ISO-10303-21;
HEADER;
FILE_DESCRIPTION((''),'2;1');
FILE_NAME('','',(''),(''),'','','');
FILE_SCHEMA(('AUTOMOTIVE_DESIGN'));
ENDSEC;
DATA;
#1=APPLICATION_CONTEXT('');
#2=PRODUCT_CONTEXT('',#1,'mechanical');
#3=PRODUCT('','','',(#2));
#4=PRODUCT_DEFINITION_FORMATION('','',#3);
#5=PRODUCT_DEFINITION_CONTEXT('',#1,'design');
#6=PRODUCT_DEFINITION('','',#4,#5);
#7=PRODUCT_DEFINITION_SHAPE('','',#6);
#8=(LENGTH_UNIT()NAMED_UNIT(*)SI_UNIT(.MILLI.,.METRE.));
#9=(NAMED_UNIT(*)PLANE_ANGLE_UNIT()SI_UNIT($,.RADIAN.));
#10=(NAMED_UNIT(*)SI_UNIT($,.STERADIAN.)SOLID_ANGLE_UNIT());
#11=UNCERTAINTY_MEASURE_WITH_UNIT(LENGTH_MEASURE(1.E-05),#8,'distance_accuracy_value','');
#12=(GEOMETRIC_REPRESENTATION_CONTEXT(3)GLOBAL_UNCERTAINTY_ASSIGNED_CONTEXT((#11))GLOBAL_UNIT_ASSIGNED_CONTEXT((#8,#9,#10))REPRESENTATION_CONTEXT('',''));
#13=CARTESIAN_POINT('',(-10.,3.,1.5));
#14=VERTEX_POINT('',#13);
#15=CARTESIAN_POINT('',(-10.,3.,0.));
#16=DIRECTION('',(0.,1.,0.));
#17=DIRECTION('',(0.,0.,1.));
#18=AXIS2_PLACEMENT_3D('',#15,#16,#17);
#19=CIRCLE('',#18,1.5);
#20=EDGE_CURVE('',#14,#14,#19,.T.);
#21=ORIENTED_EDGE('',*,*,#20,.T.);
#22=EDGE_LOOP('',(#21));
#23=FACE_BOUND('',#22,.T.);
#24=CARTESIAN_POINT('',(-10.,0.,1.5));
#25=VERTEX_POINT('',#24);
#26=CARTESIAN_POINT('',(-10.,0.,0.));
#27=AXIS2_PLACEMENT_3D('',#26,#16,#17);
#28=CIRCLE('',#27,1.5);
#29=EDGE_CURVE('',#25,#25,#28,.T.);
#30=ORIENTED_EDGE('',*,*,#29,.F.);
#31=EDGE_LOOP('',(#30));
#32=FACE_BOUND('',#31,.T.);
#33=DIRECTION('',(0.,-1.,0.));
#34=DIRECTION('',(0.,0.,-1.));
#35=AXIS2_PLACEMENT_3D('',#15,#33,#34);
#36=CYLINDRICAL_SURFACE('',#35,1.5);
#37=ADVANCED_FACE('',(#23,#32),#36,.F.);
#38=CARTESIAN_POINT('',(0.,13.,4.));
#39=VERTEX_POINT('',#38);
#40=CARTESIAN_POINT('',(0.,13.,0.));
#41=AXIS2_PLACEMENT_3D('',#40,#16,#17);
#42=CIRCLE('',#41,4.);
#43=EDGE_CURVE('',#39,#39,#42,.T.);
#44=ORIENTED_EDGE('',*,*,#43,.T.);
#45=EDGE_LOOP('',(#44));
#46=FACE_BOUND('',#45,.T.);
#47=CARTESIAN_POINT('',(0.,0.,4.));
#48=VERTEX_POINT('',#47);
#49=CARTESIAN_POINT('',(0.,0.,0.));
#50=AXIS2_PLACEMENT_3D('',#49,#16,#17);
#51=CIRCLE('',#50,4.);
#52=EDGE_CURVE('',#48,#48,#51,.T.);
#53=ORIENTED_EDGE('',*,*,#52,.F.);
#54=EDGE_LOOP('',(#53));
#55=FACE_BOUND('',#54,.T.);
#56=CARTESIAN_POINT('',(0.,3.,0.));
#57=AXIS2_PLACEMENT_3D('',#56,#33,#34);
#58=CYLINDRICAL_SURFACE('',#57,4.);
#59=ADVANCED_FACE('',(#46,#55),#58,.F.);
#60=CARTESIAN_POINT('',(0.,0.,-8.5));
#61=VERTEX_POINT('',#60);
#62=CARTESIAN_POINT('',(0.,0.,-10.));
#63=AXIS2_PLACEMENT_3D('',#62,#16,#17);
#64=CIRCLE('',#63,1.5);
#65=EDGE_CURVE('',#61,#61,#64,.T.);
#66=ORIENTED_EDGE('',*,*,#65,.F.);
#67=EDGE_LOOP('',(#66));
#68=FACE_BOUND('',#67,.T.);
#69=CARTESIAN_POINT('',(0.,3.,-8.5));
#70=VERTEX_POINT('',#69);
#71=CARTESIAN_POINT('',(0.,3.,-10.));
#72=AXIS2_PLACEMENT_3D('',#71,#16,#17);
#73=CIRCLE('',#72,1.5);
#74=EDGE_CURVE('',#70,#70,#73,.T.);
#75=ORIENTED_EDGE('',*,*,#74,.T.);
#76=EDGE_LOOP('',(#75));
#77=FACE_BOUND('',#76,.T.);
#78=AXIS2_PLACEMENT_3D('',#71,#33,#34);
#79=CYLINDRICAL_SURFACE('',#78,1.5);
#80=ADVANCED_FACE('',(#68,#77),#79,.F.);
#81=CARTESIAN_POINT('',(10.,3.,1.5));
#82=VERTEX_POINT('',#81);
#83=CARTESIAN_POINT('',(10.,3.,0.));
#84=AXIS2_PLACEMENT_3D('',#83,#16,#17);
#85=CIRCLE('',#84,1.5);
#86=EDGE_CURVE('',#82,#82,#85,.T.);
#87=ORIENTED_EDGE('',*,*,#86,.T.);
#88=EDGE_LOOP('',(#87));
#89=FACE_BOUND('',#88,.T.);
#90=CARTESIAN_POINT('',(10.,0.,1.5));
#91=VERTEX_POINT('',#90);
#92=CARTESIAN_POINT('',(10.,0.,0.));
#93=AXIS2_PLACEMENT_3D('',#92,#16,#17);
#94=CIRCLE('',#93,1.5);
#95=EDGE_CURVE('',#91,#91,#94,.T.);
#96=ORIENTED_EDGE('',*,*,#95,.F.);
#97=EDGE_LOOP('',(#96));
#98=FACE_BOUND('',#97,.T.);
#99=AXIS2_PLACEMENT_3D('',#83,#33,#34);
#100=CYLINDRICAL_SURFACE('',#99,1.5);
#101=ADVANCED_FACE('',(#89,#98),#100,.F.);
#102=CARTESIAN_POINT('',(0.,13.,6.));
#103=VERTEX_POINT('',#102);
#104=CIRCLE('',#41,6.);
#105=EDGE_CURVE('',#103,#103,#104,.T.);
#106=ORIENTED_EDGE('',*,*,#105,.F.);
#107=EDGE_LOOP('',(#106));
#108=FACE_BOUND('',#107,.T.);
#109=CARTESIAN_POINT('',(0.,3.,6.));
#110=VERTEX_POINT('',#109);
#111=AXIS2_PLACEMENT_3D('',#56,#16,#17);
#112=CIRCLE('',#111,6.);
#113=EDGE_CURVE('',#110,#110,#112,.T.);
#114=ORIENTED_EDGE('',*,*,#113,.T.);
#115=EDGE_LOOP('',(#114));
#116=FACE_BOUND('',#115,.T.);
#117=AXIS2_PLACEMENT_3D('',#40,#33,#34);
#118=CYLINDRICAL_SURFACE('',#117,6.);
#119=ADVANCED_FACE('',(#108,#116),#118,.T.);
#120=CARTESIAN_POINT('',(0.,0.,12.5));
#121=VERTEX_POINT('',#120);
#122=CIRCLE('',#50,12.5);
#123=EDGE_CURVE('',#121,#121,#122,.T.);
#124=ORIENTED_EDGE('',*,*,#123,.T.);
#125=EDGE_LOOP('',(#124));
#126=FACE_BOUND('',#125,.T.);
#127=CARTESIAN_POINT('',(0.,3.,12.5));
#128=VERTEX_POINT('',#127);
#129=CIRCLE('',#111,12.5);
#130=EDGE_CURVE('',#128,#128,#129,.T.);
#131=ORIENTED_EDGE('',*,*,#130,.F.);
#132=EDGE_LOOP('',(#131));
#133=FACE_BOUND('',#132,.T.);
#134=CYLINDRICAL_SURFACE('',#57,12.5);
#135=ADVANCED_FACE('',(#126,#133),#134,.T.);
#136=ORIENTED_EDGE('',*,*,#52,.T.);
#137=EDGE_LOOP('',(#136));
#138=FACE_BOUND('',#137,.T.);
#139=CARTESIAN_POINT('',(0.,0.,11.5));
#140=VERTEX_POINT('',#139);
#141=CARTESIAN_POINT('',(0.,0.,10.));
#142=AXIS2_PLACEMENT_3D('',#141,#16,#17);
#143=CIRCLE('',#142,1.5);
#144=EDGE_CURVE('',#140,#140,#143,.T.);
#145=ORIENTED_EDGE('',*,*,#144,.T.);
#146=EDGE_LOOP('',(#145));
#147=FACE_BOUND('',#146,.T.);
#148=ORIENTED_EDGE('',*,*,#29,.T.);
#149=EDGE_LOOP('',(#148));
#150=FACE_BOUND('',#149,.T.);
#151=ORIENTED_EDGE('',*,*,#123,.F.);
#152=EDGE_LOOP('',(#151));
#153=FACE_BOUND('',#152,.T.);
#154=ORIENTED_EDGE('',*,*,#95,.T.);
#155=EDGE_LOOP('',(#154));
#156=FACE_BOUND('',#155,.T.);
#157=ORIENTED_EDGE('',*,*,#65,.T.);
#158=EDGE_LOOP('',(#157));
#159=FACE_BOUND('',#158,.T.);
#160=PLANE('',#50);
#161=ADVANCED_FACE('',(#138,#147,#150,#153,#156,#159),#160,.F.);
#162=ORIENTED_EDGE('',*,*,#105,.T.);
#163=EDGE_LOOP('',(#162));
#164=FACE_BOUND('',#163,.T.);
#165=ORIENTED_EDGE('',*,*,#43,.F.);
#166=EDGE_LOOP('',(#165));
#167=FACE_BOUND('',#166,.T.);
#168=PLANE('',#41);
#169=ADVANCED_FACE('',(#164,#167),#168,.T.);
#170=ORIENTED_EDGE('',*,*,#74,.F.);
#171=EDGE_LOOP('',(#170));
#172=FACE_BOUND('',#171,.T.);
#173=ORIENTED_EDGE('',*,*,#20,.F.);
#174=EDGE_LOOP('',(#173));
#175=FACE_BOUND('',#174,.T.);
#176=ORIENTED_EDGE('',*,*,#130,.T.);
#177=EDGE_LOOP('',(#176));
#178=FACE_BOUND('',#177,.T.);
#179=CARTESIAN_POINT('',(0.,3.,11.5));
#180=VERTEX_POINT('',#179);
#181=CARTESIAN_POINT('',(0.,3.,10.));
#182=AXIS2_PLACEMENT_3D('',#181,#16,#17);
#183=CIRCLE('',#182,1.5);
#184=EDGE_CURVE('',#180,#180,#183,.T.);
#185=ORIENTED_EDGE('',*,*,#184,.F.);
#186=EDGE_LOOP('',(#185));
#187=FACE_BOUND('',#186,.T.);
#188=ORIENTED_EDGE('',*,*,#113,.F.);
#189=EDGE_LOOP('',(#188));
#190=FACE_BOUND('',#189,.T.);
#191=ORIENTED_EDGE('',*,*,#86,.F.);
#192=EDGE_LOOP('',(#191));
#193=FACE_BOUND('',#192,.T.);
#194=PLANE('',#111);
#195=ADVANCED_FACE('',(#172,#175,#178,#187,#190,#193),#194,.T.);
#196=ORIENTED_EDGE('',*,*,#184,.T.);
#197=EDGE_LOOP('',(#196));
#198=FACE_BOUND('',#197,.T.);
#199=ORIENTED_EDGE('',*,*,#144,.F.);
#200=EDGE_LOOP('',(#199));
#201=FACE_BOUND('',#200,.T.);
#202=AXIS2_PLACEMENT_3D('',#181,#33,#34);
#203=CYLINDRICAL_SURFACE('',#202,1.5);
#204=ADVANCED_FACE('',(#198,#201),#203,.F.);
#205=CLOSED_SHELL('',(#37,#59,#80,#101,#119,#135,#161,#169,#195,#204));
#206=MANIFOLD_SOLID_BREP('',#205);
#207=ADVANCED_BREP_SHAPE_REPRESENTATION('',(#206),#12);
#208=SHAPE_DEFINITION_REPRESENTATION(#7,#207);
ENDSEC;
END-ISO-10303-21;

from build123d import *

# Parameters (mm, degrees)
SKETCH1_R           = 12.5
SKETCH1_R_2         = 1.5
SKETCH1_R_3         = 4
BOSS_EXTRUDE1_DEPTH = 3
BOSS_EXTRUDE2_START = 3
SKETCH1_3_R         = 6
SKETCH1_3_R_2       = 4
BOSS_EXTRUDE2_DEPTH = 10


with BuildPart() as part:
    # Sketch1 → Boss-Extrude1 (new body)
    with BuildSketch(Plane(origin=(0, 0, 0), x_dir=(1, 0, 0), z_dir=(0, 1, 0))):
        Circle(SKETCH1_R)
        with Locations((-10, 0)):
            Circle(SKETCH1_R_2, mode=Mode.SUBTRACT)
        with Locations((0, -10)):
            Circle(SKETCH1_R_2, mode=Mode.SUBTRACT)
        with Locations((10, 0)):
            Circle(SKETCH1_R_2, mode=Mode.SUBTRACT)
        with Locations((0, 10)):
            Circle(SKETCH1_R_2, mode=Mode.SUBTRACT)
        Circle(SKETCH1_R_3, mode=Mode.SUBTRACT)
    extrude(amount=BOSS_EXTRUDE1_DEPTH)

    # Sketch1<3> → Boss-Extrude2 (add)
    with BuildSketch(Plane(origin=(0, 0, 0), x_dir=(1, 0, 0), z_dir=(0, 1, 0)).offset(BOSS_EXTRUDE2_START)):
        Circle(SKETCH1_3_R)
        Circle(SKETCH1_3_R_2, mode=Mode.SUBTRACT)
    extrude(amount=BOSS_EXTRUDE2_DEPTH)


solid = part.part
